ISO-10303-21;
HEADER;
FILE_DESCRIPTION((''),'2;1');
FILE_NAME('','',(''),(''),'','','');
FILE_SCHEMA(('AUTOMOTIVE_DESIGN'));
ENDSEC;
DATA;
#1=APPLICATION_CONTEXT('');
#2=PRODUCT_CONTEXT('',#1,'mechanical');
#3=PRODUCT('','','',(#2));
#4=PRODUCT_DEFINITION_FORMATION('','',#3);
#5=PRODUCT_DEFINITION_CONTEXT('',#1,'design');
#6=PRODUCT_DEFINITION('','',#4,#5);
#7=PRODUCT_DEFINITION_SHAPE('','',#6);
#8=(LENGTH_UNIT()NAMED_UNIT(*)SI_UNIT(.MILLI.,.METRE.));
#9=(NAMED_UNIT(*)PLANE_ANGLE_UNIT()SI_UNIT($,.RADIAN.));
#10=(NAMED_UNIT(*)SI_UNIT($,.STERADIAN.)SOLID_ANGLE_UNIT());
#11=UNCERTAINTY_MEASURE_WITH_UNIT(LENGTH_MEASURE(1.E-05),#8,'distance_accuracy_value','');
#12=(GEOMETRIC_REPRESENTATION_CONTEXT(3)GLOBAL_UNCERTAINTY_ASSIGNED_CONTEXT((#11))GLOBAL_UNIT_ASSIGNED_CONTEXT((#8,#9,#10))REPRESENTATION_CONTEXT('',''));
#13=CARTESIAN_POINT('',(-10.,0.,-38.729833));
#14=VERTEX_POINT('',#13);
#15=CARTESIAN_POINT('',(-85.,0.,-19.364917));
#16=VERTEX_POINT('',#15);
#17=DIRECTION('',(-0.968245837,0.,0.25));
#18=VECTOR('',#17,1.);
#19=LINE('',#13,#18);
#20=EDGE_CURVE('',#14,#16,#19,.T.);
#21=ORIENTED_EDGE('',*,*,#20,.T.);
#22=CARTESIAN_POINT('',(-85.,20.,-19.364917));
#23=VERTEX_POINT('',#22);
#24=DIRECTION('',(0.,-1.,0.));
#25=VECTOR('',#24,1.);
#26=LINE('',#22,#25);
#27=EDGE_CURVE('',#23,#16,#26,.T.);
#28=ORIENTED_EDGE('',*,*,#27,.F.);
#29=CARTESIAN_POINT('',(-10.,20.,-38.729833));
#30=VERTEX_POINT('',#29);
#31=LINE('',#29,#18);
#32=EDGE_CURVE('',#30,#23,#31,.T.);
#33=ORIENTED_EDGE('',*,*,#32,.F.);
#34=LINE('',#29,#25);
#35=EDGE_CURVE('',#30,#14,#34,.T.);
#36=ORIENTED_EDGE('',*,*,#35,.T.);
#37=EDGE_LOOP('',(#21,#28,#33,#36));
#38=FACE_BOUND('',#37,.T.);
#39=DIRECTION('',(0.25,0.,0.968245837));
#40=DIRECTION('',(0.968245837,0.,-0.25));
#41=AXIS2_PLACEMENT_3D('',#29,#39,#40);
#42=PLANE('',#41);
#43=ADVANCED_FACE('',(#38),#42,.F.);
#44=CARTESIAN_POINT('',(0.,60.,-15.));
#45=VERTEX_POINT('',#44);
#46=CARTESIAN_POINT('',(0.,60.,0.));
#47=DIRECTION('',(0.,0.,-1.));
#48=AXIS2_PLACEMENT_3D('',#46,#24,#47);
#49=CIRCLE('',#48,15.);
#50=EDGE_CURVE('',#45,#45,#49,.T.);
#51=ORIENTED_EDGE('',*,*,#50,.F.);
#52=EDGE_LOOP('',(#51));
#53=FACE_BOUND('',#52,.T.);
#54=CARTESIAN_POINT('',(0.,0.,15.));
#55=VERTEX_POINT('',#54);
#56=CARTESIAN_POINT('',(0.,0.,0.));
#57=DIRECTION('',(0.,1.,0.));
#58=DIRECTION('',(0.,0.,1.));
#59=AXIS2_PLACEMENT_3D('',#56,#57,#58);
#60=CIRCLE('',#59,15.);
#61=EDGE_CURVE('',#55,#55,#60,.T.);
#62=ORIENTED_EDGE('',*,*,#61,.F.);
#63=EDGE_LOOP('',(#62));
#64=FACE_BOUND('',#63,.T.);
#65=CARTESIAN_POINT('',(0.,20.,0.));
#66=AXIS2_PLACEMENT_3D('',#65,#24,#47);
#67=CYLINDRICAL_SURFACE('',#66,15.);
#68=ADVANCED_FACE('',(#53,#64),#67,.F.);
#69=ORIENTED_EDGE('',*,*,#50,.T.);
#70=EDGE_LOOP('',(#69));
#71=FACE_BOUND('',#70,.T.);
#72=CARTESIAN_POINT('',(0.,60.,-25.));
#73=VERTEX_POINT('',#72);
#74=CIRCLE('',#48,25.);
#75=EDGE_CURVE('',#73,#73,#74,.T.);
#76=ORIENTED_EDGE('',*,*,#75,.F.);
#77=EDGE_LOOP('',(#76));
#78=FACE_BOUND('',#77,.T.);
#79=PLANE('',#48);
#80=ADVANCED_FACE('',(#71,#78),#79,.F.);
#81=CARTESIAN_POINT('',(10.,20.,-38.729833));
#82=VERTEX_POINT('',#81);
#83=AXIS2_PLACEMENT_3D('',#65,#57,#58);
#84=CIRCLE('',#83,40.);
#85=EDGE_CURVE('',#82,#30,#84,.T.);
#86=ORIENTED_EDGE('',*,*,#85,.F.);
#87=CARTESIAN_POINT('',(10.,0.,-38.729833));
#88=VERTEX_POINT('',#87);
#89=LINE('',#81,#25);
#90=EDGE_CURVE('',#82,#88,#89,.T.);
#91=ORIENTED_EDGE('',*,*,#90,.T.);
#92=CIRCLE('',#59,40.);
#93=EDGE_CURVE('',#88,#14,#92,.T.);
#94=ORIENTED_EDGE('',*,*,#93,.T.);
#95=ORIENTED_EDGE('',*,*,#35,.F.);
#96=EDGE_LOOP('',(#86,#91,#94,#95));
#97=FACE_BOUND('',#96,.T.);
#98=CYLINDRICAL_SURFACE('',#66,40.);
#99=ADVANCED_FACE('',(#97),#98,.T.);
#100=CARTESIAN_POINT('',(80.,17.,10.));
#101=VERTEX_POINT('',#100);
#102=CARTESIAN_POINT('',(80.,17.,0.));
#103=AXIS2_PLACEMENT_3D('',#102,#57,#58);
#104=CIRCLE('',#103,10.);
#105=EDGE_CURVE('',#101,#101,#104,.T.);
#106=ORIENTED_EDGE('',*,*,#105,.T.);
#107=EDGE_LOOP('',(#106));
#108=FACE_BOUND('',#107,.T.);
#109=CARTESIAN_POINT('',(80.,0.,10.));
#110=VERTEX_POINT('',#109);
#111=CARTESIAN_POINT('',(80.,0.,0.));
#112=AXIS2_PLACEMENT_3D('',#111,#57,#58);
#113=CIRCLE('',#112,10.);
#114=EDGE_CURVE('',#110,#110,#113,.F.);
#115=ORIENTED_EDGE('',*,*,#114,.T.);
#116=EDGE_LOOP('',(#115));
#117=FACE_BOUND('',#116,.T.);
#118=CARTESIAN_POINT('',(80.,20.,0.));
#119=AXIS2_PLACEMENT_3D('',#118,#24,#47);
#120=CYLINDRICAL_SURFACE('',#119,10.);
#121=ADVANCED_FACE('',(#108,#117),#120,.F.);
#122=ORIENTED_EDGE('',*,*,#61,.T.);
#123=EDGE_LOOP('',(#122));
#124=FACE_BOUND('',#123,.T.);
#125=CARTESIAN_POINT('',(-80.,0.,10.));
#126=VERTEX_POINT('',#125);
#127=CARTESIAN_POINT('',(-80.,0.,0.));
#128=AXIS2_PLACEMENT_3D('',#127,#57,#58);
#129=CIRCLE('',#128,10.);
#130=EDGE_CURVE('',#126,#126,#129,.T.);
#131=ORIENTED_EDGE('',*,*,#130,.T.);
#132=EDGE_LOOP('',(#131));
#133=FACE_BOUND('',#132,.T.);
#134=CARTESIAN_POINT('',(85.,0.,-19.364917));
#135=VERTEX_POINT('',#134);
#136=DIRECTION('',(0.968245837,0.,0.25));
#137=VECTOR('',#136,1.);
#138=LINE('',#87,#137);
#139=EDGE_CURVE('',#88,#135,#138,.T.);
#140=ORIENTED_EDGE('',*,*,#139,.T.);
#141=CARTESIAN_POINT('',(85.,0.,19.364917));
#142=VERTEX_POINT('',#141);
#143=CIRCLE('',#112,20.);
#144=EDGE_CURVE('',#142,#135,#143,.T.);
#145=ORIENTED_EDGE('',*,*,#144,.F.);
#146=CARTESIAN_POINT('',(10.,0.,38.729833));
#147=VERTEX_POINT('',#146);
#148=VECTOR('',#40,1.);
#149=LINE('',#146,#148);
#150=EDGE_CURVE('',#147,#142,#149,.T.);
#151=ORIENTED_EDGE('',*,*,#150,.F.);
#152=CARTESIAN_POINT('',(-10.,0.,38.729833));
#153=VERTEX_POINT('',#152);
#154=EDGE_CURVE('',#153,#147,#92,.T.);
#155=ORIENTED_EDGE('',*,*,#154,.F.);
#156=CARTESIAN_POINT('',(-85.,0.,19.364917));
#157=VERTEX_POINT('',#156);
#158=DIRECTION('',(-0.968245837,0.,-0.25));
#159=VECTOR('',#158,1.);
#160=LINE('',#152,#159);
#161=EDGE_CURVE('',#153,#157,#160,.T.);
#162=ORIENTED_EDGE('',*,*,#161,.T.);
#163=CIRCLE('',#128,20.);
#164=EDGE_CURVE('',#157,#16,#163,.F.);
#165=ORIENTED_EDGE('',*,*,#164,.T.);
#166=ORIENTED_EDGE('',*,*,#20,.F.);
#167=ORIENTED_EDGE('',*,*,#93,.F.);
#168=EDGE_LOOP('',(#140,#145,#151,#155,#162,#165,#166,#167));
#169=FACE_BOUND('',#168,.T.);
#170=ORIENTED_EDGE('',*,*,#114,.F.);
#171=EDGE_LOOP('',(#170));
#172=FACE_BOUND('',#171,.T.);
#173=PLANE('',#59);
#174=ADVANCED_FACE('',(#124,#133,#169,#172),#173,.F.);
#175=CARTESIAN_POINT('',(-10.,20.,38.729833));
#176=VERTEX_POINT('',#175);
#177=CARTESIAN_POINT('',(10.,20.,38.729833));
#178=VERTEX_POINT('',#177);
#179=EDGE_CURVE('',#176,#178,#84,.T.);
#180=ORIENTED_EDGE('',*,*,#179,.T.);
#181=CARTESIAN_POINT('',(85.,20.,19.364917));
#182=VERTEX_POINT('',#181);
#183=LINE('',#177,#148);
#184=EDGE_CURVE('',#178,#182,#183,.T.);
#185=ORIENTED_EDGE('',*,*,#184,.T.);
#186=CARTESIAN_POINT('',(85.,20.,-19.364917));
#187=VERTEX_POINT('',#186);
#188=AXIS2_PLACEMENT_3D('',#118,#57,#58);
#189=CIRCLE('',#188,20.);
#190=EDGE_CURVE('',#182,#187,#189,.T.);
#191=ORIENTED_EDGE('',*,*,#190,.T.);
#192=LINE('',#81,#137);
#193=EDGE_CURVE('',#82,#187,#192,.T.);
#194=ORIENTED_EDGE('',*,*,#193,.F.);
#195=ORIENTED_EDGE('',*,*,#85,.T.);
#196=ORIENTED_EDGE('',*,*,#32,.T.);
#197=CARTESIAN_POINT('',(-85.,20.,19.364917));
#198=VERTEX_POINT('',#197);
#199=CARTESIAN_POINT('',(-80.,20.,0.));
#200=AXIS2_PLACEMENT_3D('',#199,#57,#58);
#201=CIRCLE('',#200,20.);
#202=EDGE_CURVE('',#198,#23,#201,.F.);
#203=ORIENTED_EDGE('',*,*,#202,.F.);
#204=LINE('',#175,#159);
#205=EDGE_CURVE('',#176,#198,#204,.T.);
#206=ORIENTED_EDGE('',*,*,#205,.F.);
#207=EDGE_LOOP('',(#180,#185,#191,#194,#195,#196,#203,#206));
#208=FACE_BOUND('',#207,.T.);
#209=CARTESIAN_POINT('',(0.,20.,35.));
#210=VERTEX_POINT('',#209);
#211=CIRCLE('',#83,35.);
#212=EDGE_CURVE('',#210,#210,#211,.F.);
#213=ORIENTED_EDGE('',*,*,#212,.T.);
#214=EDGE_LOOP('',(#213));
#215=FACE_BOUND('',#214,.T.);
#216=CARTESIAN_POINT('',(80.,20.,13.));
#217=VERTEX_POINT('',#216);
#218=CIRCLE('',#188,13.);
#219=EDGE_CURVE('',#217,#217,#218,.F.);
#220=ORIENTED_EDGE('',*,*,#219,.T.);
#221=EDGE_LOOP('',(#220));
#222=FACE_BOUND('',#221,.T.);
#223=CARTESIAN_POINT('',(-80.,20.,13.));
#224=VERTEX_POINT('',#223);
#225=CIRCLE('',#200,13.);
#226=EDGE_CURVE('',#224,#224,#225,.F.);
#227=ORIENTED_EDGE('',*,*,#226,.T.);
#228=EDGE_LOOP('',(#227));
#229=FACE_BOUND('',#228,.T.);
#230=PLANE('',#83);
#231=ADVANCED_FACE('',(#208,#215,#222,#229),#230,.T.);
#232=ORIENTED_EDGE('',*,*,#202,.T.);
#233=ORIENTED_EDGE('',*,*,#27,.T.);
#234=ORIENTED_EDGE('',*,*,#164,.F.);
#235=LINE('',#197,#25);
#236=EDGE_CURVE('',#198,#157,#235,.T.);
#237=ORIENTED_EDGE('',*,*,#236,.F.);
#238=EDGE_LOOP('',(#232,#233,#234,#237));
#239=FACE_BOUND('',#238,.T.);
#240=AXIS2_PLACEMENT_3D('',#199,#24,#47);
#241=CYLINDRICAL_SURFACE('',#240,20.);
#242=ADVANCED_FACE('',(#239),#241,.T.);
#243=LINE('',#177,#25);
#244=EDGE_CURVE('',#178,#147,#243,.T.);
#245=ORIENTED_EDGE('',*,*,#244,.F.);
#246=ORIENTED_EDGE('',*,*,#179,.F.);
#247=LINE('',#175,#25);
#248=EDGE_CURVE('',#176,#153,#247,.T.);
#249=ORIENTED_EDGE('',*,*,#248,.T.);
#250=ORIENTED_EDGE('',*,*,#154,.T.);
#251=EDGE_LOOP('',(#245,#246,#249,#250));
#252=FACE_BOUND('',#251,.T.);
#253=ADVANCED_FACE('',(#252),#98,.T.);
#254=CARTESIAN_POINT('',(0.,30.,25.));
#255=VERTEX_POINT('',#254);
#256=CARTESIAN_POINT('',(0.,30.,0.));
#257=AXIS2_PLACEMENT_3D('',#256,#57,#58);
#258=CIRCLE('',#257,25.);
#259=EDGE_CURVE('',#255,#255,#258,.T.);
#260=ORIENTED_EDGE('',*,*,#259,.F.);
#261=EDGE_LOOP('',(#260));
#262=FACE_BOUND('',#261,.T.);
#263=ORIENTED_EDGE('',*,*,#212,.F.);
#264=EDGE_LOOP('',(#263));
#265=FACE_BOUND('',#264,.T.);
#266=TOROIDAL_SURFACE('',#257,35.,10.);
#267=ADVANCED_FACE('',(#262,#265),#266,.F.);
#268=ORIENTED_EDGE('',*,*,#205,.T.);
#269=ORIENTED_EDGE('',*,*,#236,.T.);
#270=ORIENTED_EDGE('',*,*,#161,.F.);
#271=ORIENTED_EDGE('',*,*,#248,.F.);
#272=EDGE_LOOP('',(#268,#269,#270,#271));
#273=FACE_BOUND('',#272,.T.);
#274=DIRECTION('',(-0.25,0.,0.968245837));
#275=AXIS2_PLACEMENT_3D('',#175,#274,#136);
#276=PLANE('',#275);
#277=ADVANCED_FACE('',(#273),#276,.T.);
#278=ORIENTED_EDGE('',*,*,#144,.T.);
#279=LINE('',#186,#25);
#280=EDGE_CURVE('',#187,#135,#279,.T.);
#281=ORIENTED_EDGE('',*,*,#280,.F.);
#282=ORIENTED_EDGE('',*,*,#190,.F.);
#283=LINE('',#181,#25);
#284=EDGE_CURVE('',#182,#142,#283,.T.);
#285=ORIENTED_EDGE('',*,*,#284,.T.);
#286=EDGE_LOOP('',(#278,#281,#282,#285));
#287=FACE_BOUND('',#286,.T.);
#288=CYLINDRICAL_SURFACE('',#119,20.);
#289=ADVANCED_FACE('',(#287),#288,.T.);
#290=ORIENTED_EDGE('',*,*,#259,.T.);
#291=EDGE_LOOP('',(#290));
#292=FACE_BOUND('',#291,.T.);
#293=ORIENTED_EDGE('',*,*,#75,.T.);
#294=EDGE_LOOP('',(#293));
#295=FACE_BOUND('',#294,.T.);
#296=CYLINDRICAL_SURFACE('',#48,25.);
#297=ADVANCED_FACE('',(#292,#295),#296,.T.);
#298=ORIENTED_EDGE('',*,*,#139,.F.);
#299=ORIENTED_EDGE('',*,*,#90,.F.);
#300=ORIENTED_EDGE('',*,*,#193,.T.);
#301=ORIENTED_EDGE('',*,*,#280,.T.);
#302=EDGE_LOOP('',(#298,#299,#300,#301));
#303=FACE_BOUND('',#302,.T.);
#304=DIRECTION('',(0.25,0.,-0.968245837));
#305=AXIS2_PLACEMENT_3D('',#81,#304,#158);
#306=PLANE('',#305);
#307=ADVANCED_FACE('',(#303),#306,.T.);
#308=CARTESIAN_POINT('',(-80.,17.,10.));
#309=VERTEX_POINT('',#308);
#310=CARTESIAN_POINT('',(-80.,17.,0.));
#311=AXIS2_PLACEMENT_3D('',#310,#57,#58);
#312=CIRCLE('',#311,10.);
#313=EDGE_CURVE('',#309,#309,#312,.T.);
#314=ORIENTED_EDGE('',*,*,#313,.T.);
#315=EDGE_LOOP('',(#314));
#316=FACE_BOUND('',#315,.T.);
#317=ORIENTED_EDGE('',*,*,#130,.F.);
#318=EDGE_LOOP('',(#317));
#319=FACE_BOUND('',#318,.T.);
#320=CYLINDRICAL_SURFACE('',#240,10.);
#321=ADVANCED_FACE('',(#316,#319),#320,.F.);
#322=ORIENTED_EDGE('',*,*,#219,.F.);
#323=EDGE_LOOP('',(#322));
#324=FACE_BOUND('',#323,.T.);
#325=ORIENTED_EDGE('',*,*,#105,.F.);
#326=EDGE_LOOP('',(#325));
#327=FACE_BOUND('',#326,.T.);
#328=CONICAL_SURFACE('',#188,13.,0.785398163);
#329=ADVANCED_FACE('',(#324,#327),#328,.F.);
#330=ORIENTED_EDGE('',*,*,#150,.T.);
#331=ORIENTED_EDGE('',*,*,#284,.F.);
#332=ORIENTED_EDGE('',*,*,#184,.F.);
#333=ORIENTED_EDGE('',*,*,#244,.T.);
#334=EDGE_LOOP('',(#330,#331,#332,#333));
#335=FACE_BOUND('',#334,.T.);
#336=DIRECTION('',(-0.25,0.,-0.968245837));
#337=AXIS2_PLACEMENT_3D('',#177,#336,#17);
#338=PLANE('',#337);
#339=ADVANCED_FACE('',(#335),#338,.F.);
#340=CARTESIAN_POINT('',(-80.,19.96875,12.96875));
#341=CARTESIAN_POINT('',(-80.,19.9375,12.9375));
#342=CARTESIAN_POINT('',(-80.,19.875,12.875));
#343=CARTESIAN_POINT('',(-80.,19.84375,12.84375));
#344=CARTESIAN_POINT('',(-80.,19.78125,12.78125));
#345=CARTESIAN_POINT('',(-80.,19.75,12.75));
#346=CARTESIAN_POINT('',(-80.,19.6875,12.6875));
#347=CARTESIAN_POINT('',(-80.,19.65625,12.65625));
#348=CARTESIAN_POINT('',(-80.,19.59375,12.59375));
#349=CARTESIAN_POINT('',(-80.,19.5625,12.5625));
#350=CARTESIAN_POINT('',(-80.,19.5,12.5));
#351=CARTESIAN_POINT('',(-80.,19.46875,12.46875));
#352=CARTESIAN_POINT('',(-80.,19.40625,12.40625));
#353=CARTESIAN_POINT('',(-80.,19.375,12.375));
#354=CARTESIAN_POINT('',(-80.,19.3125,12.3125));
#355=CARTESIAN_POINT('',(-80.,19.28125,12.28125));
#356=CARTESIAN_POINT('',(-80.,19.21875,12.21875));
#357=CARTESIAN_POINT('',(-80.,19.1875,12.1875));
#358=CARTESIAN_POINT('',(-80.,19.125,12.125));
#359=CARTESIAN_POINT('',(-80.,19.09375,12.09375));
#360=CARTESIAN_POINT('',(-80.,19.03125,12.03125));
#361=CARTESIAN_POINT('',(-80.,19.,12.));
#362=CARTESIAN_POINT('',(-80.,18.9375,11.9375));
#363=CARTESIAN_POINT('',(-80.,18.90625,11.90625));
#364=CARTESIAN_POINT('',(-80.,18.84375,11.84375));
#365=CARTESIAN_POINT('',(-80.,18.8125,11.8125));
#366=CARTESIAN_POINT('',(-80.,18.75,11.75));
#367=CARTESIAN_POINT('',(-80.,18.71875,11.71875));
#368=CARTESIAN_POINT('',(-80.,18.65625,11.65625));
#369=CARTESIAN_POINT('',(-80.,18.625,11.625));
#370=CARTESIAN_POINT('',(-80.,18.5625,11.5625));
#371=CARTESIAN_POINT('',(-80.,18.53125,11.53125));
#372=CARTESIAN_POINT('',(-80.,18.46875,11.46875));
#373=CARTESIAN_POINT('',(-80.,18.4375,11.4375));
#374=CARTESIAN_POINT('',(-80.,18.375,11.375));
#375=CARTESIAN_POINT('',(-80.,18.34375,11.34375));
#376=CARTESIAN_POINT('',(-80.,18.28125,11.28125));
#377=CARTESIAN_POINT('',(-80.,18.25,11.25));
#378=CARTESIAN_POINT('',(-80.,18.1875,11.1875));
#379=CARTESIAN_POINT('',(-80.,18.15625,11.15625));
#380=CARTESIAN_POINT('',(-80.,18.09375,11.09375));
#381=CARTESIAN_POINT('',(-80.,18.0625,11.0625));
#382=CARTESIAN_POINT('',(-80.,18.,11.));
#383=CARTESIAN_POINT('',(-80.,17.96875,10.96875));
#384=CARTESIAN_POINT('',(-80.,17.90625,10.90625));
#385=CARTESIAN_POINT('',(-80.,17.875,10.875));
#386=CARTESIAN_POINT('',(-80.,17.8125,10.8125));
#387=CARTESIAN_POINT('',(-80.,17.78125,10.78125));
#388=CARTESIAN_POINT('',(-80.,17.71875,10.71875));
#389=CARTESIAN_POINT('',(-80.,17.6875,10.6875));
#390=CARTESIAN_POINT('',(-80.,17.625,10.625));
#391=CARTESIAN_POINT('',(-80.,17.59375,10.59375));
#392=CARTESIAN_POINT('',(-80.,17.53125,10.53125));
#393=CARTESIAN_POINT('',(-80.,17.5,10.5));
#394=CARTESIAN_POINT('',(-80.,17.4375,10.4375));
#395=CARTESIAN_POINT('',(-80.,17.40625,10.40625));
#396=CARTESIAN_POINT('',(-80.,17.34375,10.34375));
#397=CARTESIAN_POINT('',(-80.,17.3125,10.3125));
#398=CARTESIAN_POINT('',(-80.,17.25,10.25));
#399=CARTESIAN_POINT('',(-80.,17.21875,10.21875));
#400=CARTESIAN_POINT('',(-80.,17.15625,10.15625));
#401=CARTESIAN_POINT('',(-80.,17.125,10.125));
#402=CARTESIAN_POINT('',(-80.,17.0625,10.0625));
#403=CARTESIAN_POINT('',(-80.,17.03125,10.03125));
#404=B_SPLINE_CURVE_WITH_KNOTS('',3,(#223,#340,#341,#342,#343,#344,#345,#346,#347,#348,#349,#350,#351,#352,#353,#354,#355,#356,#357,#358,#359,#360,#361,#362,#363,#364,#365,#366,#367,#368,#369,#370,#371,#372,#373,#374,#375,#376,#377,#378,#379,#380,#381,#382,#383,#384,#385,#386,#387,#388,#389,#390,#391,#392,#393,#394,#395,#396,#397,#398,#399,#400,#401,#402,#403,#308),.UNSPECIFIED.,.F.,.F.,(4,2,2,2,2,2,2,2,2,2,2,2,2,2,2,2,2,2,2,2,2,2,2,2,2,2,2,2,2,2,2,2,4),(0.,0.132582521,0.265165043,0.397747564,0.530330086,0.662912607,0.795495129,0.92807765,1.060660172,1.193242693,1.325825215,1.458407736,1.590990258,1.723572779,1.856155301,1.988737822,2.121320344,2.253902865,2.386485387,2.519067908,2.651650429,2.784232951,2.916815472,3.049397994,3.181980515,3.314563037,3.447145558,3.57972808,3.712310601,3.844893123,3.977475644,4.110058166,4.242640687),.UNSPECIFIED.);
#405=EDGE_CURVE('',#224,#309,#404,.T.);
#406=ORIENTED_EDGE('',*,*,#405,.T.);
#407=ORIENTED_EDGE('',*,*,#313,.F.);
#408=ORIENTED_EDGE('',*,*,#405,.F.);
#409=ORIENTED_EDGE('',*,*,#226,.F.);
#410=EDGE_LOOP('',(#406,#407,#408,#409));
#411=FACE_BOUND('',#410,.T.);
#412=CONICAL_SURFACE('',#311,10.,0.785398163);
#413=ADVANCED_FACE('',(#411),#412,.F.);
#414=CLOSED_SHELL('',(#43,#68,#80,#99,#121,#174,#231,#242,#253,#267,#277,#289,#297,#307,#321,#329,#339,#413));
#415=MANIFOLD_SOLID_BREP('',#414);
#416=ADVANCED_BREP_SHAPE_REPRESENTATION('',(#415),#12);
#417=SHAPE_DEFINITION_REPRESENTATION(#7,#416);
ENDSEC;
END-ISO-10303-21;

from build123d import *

# Parameters (mm, degrees)
SKETCH5_R            = 10
SKETCH5_R_2          = 40
SKETCH5_R_3          = 25
SKETCH5_R_4          = 15
BOSS_EXTRUDE11_DEPTH = 20
SKETCH11_R           = 25
SKETCH11_R_2         = 15
BOSS_EXTRUDE12_DEPTH = 60
CHAMFER3_SIZE        = 3
FILLET2_R            = 10
CHAMFER4_SIZE        = 3


with BuildPart() as part:
    # Sketch5 → Boss-Extrude11 (new body)
    # profile 1 of 4: a face of its own
    with BuildSketch(Plane(origin=(0, 0, 0), x_dir=(1, 0, 0), z_dir=(0, 1, 0))):
        with BuildLine():
            ThreePointArc((-10, -38.729833462), (-40, 0), (-10, 38.729833462))
            Line((-10, 38.729833462), (-85, 19.364916731))
            ThreePointArc((-85, 19.364916731), (-100, 0), (-85, -19.364916731))
            Line((-85, -19.364916731), (-10, -38.729833462))
        make_face()
        with Locations(Location((-80, 0, 0), (0, 0, 270))):
            Circle(SKETCH5_R, mode=Mode.SUBTRACT)
    # profile 2 of 4: a face of its own
    with BuildSketch(Plane(origin=(0, 0, 0), x_dir=(1, 0, 0), z_dir=(0, 1, 0))):
        with BuildLine():
            Line((85, 19.364916731), (10, 38.729833462))
            ThreePointArc((10, 38.729833462), (31.622776602, 24.494897428), (40, 0))
            ThreePointArc((40, 0), (31.622776602, -24.494897428), (10, -38.729833462))
            Line((10, -38.729833462), (85, -19.364916731))
            ThreePointArc((85, -19.364916731), (100, 0), (85, 19.364916731))
        make_face()
        with Locations(Location((80, 0, 0), (0, 0, 270))):
            Circle(SKETCH5_R, mode=Mode.SUBTRACT)
    # profile 3 of 4: a face of its own
    with BuildSketch(Plane(origin=(0, 0, 0), x_dir=(1, 0, 0), z_dir=(0, 1, 0))):
        Circle(SKETCH5_R_2)
        Circle(SKETCH5_R_3, mode=Mode.SUBTRACT)
    # profile 4 of 4: a face of its own
    with BuildSketch(Plane(origin=(0, 0, 0), x_dir=(1, 0, 0), z_dir=(0, 1, 0))):
        Circle(SKETCH5_R_3)
        with Locations(Location((0, 0, 0), (0, 0, 270))):
            Circle(SKETCH5_R_4, mode=Mode.SUBTRACT)
    extrude(amount=BOSS_EXTRUDE11_DEPTH)

    # Sketch11 → Boss-Extrude12 (add)
    with BuildSketch(Plane.XZ):
        with Locations(Location((0, 0, 0), (0, 0, 270))):
            Circle(SKETCH11_R)
        with Locations(Location((0, 0, 0), (0, 0, 270))):
            Circle(SKETCH11_R_2, mode=Mode.SUBTRACT)
    extrude(amount=-BOSS_EXTRUDE12_DEPTH)

    # Chamfer3
    chamfer3_edges = [part.edges().sort_by_distance(p)[0] for p in [
        (-80, 20, -10),
    ]]
    chamfer(chamfer3_edges, length=CHAMFER3_SIZE)

    # Fillet2
    fillet2_edges = [part.edges().sort_by_distance(p)[0] for p in [
        (0, 20, 25),
    ]]
    fillet(fillet2_edges, radius=FILLET2_R)

    # Chamfer4
    chamfer4_edges = [part.edges().sort_by_distance(p)[0] for p in [
        (80, 20, -10),
    ]]
    chamfer(chamfer4_edges, length=CHAMFER4_SIZE)


solid = part.part
